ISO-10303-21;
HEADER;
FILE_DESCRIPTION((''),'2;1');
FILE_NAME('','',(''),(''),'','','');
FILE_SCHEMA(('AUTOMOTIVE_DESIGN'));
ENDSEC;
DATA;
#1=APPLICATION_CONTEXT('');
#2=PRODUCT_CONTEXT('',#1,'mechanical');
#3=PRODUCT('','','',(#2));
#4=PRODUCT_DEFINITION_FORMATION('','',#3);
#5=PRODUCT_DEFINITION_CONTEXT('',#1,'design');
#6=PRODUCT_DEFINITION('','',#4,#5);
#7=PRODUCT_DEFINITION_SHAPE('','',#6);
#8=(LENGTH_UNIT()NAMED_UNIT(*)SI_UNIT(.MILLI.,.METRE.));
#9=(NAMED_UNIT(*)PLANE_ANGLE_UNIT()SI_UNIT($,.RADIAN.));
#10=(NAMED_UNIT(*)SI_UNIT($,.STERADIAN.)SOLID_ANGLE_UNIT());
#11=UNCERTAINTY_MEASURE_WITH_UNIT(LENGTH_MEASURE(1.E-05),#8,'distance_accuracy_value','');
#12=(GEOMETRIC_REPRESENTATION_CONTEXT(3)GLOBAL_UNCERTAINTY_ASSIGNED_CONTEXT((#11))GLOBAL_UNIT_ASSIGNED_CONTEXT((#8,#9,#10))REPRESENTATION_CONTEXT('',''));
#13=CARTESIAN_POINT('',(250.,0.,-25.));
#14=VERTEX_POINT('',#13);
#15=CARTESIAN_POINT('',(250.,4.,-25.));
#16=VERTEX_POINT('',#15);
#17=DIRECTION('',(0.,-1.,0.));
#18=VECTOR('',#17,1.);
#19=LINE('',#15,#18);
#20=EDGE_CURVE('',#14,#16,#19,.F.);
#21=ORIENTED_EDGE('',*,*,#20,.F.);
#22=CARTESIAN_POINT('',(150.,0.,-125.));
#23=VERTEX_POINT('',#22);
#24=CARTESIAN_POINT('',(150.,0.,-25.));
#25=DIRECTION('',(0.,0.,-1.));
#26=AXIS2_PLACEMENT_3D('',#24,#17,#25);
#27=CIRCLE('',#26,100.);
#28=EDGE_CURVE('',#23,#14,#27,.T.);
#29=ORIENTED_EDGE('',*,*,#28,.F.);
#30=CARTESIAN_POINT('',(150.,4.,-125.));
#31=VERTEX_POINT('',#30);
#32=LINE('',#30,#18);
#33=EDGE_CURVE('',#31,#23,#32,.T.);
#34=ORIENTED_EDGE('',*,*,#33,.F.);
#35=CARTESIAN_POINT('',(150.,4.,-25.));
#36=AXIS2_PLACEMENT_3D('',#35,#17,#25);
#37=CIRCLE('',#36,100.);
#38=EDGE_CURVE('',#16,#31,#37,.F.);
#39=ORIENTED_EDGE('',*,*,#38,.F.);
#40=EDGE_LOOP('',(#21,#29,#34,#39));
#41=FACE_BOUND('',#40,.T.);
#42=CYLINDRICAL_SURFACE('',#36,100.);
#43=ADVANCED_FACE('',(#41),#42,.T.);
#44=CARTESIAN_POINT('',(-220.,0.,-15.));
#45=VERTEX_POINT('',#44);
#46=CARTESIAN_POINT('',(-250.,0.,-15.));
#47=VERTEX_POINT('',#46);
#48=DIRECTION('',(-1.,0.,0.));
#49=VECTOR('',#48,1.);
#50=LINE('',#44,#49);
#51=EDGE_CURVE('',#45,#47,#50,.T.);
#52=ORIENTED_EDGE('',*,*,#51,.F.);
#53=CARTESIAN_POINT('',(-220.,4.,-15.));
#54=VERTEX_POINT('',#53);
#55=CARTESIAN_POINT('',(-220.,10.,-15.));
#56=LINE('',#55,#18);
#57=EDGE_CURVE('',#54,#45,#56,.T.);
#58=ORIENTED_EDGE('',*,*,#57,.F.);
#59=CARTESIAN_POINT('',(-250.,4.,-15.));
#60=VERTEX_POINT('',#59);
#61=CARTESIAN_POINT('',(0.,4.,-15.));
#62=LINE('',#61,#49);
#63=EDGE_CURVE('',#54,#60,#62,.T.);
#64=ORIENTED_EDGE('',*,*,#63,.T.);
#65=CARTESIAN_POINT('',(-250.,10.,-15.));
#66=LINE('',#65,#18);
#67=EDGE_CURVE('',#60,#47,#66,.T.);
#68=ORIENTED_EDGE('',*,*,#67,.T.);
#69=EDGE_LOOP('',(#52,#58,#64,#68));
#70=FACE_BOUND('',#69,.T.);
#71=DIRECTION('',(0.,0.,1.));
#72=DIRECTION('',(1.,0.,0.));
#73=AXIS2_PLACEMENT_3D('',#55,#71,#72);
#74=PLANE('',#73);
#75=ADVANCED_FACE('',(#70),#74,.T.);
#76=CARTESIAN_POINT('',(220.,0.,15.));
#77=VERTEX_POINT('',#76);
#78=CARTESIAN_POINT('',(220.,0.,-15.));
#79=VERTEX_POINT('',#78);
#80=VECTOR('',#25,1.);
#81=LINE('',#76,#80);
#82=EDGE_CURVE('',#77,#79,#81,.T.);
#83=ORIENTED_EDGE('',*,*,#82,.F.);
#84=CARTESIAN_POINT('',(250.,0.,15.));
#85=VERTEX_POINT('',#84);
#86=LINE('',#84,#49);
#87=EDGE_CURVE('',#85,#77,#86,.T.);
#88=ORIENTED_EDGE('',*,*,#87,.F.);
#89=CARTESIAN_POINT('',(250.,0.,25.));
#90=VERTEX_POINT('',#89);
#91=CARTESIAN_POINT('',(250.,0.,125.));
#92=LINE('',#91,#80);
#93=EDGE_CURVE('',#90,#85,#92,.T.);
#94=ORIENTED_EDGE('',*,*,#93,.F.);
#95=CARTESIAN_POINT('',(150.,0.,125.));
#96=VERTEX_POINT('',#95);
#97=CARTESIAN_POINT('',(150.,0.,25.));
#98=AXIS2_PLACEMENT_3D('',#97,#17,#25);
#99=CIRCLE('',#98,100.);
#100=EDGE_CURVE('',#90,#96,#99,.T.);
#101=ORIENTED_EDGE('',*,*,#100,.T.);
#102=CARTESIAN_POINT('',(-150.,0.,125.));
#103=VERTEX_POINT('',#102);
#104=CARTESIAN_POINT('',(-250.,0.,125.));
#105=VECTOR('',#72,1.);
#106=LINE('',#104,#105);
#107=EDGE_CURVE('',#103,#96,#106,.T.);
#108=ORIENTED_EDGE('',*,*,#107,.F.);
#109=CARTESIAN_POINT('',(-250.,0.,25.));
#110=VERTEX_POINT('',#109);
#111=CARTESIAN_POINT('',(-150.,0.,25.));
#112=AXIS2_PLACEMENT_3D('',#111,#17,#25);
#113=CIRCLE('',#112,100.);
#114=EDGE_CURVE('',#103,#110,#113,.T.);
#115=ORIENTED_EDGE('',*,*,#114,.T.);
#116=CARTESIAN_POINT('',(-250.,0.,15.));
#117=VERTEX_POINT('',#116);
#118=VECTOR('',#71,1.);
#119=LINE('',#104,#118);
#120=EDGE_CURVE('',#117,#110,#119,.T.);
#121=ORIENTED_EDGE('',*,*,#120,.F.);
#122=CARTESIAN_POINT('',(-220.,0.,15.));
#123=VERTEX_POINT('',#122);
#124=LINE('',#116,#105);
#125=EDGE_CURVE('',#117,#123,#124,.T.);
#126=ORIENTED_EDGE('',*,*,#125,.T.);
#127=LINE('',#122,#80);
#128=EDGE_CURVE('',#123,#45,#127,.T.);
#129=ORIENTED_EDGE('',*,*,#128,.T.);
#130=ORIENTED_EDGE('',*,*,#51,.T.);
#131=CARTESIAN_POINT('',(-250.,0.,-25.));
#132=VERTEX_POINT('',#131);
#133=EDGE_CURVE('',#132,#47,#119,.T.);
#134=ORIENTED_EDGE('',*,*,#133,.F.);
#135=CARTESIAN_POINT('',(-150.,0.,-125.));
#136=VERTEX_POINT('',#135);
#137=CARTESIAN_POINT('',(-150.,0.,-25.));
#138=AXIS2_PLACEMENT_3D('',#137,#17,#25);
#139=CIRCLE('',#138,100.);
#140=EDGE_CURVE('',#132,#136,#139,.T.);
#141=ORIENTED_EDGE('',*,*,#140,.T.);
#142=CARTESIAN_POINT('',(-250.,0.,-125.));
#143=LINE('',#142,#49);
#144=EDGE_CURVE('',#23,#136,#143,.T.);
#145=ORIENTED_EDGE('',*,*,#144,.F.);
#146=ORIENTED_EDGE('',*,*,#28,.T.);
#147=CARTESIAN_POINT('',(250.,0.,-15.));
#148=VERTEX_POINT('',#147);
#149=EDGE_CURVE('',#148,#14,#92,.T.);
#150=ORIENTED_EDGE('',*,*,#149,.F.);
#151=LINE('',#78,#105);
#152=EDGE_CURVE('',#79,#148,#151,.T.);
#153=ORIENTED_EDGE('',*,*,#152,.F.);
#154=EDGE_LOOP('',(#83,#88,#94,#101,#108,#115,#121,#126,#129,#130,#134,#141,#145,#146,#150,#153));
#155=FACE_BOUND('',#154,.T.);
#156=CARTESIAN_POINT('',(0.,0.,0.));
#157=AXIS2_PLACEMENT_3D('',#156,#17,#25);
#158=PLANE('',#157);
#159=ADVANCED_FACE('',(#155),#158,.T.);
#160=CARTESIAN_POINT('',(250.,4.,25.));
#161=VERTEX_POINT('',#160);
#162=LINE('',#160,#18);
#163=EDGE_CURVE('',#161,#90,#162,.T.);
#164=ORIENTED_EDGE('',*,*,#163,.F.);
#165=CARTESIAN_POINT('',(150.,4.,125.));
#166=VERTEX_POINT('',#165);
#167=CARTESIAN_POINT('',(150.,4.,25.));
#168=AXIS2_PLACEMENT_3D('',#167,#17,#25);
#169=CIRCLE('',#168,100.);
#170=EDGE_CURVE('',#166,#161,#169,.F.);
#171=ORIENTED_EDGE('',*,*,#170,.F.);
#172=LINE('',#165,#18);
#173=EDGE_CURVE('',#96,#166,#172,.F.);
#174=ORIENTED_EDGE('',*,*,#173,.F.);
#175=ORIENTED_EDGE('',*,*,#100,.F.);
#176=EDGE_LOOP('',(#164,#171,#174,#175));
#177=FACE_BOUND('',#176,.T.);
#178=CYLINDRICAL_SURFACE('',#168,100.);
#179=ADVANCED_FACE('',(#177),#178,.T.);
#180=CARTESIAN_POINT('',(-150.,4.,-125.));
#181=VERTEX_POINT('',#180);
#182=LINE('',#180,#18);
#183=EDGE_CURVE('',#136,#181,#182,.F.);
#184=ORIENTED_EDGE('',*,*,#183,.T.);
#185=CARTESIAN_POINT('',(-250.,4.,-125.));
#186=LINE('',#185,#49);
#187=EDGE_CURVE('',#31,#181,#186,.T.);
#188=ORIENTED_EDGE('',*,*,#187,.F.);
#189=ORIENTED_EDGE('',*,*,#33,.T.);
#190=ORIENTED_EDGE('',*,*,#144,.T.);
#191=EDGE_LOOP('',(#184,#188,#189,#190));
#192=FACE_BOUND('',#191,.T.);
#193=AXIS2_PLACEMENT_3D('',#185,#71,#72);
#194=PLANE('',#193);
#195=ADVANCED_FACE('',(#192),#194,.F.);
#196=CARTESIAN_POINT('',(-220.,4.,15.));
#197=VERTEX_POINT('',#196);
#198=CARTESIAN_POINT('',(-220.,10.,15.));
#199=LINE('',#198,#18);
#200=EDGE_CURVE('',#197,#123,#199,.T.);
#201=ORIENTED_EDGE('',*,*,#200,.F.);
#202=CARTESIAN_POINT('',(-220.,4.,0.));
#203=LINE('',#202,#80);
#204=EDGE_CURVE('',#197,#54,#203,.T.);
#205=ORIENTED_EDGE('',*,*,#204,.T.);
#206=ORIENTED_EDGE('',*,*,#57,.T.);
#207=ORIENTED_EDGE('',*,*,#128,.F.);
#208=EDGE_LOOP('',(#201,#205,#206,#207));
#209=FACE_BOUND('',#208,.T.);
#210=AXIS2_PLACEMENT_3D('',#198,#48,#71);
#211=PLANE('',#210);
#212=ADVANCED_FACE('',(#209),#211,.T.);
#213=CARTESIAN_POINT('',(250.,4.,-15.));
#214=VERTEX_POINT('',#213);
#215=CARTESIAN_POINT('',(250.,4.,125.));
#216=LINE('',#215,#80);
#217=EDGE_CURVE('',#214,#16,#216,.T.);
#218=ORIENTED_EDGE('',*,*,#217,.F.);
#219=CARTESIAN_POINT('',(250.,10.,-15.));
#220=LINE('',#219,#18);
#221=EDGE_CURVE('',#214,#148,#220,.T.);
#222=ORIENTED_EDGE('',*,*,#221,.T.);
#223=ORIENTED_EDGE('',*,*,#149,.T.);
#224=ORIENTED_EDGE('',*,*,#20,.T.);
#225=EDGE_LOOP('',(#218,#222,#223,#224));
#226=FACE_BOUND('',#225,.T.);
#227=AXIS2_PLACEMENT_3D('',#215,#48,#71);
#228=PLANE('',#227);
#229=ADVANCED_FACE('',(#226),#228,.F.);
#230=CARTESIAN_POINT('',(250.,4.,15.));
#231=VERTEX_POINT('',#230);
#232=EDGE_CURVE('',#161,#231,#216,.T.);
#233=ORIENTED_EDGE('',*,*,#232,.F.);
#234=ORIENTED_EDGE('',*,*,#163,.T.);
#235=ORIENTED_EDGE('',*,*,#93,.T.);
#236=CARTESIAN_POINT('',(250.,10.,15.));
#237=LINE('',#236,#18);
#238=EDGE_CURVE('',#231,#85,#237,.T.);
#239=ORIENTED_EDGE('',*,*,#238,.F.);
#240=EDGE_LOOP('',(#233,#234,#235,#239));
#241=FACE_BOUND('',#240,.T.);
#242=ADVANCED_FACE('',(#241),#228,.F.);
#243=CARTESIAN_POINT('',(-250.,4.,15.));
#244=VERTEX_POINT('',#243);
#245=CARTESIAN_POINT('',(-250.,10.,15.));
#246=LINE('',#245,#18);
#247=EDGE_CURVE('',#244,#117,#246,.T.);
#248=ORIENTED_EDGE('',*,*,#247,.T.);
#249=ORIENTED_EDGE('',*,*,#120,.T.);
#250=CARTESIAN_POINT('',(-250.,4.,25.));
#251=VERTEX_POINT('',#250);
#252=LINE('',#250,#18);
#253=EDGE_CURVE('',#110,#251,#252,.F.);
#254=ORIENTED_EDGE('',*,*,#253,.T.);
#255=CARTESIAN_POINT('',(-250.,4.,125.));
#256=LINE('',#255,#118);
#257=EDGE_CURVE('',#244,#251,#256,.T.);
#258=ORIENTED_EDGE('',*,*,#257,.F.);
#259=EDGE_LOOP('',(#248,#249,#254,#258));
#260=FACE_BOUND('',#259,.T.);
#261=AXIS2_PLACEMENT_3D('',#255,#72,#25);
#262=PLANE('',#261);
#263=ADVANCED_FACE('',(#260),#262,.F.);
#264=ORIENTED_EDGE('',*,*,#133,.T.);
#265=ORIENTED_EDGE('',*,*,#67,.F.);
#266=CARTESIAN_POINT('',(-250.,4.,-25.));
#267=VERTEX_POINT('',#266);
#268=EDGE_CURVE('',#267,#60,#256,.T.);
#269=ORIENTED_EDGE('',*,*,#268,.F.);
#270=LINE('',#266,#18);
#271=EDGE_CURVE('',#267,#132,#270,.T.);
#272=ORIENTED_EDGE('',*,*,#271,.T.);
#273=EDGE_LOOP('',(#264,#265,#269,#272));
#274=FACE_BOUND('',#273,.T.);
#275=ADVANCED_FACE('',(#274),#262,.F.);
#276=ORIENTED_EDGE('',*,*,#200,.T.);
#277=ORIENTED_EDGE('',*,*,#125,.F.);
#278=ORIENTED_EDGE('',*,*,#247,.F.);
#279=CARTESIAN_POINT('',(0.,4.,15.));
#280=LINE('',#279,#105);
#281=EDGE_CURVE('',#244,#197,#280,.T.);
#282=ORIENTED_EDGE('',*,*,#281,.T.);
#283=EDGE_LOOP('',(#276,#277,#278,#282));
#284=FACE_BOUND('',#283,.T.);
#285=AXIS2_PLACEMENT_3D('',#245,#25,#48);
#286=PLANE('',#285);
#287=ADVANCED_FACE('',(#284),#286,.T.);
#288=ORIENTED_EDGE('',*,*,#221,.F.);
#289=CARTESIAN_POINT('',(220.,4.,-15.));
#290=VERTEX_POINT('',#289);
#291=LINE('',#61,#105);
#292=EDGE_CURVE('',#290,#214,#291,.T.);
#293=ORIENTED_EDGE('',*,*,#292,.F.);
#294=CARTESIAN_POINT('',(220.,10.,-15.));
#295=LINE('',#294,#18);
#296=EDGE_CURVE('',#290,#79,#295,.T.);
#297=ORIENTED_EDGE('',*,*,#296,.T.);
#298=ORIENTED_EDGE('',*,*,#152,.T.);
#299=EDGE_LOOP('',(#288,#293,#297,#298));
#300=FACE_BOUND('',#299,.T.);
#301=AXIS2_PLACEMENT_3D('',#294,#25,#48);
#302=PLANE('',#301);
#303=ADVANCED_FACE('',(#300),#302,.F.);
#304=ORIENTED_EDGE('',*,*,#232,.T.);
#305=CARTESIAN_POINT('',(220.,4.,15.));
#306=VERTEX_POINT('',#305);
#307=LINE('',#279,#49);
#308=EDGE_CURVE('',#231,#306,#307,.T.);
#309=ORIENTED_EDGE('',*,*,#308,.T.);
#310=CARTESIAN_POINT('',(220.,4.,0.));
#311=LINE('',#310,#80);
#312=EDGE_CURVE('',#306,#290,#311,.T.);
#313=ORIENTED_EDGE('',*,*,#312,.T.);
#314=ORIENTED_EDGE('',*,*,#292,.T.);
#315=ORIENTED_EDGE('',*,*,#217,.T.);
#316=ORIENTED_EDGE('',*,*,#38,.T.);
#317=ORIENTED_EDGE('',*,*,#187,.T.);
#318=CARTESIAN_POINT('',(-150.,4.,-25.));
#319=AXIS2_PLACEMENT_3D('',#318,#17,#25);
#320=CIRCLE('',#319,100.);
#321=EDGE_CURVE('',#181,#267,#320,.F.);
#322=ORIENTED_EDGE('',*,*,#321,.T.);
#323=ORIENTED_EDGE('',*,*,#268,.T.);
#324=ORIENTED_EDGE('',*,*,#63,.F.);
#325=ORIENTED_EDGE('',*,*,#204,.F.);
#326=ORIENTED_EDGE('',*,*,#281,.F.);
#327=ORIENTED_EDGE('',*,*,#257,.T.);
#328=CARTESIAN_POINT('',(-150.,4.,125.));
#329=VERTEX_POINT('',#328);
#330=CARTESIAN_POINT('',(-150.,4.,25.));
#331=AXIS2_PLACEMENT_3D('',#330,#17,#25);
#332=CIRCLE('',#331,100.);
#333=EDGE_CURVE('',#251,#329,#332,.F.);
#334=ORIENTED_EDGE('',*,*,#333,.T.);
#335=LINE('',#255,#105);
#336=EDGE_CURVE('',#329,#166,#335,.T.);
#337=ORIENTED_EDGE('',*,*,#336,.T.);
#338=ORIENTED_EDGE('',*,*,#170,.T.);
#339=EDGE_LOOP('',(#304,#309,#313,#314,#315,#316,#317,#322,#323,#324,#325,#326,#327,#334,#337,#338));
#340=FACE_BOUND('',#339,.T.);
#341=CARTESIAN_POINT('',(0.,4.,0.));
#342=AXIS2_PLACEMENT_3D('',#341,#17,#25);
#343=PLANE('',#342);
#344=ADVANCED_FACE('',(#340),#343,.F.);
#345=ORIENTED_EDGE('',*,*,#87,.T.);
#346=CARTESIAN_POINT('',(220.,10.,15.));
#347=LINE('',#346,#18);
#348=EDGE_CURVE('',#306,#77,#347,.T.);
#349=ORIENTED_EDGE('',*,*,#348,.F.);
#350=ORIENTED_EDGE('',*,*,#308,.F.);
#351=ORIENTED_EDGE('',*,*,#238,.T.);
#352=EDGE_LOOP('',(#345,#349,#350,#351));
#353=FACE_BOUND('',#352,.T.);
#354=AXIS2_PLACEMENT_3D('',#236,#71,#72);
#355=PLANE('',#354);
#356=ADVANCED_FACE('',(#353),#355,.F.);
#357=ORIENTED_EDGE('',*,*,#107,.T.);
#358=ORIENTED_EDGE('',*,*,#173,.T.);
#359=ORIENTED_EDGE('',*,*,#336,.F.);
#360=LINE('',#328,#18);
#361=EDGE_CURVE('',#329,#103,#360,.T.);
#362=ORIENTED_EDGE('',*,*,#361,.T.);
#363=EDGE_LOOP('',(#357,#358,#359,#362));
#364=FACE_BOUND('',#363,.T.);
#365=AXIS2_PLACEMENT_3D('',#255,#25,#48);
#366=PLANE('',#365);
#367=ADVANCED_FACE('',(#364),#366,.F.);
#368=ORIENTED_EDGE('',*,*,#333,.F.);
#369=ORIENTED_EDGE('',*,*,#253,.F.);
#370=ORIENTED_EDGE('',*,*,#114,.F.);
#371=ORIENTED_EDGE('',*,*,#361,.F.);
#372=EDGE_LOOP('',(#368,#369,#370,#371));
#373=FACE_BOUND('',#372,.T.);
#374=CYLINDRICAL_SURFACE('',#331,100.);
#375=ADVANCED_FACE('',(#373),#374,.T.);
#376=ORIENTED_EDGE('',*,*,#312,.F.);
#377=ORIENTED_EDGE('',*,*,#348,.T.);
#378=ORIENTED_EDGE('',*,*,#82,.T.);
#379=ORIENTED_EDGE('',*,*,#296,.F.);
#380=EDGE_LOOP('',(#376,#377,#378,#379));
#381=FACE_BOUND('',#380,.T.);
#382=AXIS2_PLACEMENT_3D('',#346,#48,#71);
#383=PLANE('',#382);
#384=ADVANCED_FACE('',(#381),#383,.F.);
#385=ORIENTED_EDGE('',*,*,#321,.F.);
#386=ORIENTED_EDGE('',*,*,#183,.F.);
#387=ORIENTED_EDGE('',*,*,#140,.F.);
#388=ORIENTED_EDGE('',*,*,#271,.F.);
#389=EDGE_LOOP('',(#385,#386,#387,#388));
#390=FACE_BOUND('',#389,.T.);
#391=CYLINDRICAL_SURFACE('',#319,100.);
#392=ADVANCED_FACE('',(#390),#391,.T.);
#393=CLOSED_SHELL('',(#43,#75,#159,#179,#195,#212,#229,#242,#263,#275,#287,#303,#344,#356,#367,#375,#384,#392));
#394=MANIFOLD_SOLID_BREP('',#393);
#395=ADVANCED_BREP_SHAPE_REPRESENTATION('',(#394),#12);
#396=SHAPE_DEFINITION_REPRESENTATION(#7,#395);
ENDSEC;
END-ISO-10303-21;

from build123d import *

# Parameters (mm, degrees)
SKETCH1_W           = 500
SKETCH1_H           = 250
BOSS_EXTRUDE1_DEPTH = 4
FILLET1_R           = 100
CUT_EXTRUDE1_DEPTH  = 10


with BuildPart() as part:
    # Sketch1 → Boss-Extrude1 (new body)
    with BuildSketch(Plane(origin=(0, 0, 0), x_dir=(1, 0, 0), z_dir=(0, 1, 0))):
        Rectangle(SKETCH1_W, SKETCH1_H)
    extrude(amount=BOSS_EXTRUDE1_DEPTH)

    # Fillet1
    fillet1_edges = [part.edges().sort_by_distance(p)[0] for p in [
        (250, 2, 125),
        (-250, 2, 125),
        (-250, 2, -125),
        (250, 2, -125),
    ]]
    fillet(fillet1_edges, radius=FILLET1_R)

    # Sketch2 → Cut-Extrude1 (cut)
    with BuildSketch(Plane(origin=(0, 0, 0), x_dir=(-1, 0, 0), z_dir=(0, -1, 0))):
        Polygon((250, 0), (250, -15), (220, -15), (220, 15), (250, 15), align=None)
        Polygon((-250, 0), (-250, -15), (-220, -15), (-220, 15), (-250, 15), align=None)
    extrude(amount=-CUT_EXTRUDE1_DEPTH, mode=Mode.SUBTRACT)


solid = part.part
